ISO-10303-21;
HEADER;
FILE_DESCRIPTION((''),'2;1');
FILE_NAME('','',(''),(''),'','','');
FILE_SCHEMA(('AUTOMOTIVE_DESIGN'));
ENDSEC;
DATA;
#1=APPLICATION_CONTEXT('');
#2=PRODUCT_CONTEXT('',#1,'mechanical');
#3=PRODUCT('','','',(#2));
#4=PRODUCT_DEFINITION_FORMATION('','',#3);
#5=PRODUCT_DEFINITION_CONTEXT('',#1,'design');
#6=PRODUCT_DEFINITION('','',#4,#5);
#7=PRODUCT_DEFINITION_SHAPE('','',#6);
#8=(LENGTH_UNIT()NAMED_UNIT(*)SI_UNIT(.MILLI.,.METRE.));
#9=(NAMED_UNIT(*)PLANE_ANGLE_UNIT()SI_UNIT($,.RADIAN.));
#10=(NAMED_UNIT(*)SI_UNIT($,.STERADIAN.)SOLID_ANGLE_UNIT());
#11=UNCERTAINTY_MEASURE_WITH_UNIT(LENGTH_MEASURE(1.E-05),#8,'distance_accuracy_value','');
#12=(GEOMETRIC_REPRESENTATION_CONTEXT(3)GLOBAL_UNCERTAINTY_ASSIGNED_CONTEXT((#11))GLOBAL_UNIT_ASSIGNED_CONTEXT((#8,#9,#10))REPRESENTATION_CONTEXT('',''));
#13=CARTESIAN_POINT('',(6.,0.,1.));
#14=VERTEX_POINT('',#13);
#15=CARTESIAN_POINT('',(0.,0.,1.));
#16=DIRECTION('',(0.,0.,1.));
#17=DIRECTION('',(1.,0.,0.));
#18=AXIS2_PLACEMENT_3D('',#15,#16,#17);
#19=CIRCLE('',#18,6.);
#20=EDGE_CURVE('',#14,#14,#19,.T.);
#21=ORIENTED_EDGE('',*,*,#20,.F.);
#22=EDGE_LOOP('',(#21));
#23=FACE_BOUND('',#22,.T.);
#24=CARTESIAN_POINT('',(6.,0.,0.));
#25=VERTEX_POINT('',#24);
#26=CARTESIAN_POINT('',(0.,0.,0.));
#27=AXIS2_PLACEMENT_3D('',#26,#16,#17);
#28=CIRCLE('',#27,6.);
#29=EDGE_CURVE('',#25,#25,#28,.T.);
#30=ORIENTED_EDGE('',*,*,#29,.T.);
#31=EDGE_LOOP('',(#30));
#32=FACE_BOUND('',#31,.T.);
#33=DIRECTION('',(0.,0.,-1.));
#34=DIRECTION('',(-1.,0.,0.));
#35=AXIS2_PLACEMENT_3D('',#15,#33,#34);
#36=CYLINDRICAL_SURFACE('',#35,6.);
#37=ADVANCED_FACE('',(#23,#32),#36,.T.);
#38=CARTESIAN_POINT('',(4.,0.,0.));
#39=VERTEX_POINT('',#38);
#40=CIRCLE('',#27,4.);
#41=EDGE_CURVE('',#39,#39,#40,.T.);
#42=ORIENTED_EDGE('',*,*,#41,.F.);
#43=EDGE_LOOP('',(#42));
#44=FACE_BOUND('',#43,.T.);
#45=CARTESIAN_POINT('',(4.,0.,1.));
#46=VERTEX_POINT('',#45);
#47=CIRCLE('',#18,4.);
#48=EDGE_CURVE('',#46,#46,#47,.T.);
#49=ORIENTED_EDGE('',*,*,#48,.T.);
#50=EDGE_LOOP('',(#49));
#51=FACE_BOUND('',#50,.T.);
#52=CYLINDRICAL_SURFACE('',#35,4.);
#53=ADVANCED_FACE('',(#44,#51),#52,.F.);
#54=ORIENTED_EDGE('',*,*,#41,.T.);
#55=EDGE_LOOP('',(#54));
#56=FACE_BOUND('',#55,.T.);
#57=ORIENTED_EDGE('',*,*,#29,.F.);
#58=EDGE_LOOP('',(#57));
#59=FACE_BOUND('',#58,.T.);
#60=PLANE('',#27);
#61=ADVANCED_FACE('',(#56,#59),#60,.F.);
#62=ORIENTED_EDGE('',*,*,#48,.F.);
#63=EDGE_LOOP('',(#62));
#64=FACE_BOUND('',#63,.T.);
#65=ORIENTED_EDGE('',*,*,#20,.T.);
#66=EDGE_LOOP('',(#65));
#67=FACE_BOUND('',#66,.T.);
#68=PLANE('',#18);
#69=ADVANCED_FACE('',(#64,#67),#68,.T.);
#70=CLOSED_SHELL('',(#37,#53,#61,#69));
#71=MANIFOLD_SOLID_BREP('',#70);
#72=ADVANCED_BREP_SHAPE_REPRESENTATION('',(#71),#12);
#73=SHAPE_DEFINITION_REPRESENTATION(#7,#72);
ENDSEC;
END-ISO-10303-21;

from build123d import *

# Parameters (mm, degrees)
ESQUISSE1_R      = 6
ESQUISSE1_R_2    = 4
EXTRUSION1_DEPTH = 1


with BuildPart() as part:
    # Esquisse1 → Extrusion1 (new body)
    with BuildSketch(Plane.XY):
        Circle(ESQUISSE1_R)
        Circle(ESQUISSE1_R_2, mode=Mode.SUBTRACT)
    extrude(amount=EXTRUSION1_DEPTH)


solid = part.part
